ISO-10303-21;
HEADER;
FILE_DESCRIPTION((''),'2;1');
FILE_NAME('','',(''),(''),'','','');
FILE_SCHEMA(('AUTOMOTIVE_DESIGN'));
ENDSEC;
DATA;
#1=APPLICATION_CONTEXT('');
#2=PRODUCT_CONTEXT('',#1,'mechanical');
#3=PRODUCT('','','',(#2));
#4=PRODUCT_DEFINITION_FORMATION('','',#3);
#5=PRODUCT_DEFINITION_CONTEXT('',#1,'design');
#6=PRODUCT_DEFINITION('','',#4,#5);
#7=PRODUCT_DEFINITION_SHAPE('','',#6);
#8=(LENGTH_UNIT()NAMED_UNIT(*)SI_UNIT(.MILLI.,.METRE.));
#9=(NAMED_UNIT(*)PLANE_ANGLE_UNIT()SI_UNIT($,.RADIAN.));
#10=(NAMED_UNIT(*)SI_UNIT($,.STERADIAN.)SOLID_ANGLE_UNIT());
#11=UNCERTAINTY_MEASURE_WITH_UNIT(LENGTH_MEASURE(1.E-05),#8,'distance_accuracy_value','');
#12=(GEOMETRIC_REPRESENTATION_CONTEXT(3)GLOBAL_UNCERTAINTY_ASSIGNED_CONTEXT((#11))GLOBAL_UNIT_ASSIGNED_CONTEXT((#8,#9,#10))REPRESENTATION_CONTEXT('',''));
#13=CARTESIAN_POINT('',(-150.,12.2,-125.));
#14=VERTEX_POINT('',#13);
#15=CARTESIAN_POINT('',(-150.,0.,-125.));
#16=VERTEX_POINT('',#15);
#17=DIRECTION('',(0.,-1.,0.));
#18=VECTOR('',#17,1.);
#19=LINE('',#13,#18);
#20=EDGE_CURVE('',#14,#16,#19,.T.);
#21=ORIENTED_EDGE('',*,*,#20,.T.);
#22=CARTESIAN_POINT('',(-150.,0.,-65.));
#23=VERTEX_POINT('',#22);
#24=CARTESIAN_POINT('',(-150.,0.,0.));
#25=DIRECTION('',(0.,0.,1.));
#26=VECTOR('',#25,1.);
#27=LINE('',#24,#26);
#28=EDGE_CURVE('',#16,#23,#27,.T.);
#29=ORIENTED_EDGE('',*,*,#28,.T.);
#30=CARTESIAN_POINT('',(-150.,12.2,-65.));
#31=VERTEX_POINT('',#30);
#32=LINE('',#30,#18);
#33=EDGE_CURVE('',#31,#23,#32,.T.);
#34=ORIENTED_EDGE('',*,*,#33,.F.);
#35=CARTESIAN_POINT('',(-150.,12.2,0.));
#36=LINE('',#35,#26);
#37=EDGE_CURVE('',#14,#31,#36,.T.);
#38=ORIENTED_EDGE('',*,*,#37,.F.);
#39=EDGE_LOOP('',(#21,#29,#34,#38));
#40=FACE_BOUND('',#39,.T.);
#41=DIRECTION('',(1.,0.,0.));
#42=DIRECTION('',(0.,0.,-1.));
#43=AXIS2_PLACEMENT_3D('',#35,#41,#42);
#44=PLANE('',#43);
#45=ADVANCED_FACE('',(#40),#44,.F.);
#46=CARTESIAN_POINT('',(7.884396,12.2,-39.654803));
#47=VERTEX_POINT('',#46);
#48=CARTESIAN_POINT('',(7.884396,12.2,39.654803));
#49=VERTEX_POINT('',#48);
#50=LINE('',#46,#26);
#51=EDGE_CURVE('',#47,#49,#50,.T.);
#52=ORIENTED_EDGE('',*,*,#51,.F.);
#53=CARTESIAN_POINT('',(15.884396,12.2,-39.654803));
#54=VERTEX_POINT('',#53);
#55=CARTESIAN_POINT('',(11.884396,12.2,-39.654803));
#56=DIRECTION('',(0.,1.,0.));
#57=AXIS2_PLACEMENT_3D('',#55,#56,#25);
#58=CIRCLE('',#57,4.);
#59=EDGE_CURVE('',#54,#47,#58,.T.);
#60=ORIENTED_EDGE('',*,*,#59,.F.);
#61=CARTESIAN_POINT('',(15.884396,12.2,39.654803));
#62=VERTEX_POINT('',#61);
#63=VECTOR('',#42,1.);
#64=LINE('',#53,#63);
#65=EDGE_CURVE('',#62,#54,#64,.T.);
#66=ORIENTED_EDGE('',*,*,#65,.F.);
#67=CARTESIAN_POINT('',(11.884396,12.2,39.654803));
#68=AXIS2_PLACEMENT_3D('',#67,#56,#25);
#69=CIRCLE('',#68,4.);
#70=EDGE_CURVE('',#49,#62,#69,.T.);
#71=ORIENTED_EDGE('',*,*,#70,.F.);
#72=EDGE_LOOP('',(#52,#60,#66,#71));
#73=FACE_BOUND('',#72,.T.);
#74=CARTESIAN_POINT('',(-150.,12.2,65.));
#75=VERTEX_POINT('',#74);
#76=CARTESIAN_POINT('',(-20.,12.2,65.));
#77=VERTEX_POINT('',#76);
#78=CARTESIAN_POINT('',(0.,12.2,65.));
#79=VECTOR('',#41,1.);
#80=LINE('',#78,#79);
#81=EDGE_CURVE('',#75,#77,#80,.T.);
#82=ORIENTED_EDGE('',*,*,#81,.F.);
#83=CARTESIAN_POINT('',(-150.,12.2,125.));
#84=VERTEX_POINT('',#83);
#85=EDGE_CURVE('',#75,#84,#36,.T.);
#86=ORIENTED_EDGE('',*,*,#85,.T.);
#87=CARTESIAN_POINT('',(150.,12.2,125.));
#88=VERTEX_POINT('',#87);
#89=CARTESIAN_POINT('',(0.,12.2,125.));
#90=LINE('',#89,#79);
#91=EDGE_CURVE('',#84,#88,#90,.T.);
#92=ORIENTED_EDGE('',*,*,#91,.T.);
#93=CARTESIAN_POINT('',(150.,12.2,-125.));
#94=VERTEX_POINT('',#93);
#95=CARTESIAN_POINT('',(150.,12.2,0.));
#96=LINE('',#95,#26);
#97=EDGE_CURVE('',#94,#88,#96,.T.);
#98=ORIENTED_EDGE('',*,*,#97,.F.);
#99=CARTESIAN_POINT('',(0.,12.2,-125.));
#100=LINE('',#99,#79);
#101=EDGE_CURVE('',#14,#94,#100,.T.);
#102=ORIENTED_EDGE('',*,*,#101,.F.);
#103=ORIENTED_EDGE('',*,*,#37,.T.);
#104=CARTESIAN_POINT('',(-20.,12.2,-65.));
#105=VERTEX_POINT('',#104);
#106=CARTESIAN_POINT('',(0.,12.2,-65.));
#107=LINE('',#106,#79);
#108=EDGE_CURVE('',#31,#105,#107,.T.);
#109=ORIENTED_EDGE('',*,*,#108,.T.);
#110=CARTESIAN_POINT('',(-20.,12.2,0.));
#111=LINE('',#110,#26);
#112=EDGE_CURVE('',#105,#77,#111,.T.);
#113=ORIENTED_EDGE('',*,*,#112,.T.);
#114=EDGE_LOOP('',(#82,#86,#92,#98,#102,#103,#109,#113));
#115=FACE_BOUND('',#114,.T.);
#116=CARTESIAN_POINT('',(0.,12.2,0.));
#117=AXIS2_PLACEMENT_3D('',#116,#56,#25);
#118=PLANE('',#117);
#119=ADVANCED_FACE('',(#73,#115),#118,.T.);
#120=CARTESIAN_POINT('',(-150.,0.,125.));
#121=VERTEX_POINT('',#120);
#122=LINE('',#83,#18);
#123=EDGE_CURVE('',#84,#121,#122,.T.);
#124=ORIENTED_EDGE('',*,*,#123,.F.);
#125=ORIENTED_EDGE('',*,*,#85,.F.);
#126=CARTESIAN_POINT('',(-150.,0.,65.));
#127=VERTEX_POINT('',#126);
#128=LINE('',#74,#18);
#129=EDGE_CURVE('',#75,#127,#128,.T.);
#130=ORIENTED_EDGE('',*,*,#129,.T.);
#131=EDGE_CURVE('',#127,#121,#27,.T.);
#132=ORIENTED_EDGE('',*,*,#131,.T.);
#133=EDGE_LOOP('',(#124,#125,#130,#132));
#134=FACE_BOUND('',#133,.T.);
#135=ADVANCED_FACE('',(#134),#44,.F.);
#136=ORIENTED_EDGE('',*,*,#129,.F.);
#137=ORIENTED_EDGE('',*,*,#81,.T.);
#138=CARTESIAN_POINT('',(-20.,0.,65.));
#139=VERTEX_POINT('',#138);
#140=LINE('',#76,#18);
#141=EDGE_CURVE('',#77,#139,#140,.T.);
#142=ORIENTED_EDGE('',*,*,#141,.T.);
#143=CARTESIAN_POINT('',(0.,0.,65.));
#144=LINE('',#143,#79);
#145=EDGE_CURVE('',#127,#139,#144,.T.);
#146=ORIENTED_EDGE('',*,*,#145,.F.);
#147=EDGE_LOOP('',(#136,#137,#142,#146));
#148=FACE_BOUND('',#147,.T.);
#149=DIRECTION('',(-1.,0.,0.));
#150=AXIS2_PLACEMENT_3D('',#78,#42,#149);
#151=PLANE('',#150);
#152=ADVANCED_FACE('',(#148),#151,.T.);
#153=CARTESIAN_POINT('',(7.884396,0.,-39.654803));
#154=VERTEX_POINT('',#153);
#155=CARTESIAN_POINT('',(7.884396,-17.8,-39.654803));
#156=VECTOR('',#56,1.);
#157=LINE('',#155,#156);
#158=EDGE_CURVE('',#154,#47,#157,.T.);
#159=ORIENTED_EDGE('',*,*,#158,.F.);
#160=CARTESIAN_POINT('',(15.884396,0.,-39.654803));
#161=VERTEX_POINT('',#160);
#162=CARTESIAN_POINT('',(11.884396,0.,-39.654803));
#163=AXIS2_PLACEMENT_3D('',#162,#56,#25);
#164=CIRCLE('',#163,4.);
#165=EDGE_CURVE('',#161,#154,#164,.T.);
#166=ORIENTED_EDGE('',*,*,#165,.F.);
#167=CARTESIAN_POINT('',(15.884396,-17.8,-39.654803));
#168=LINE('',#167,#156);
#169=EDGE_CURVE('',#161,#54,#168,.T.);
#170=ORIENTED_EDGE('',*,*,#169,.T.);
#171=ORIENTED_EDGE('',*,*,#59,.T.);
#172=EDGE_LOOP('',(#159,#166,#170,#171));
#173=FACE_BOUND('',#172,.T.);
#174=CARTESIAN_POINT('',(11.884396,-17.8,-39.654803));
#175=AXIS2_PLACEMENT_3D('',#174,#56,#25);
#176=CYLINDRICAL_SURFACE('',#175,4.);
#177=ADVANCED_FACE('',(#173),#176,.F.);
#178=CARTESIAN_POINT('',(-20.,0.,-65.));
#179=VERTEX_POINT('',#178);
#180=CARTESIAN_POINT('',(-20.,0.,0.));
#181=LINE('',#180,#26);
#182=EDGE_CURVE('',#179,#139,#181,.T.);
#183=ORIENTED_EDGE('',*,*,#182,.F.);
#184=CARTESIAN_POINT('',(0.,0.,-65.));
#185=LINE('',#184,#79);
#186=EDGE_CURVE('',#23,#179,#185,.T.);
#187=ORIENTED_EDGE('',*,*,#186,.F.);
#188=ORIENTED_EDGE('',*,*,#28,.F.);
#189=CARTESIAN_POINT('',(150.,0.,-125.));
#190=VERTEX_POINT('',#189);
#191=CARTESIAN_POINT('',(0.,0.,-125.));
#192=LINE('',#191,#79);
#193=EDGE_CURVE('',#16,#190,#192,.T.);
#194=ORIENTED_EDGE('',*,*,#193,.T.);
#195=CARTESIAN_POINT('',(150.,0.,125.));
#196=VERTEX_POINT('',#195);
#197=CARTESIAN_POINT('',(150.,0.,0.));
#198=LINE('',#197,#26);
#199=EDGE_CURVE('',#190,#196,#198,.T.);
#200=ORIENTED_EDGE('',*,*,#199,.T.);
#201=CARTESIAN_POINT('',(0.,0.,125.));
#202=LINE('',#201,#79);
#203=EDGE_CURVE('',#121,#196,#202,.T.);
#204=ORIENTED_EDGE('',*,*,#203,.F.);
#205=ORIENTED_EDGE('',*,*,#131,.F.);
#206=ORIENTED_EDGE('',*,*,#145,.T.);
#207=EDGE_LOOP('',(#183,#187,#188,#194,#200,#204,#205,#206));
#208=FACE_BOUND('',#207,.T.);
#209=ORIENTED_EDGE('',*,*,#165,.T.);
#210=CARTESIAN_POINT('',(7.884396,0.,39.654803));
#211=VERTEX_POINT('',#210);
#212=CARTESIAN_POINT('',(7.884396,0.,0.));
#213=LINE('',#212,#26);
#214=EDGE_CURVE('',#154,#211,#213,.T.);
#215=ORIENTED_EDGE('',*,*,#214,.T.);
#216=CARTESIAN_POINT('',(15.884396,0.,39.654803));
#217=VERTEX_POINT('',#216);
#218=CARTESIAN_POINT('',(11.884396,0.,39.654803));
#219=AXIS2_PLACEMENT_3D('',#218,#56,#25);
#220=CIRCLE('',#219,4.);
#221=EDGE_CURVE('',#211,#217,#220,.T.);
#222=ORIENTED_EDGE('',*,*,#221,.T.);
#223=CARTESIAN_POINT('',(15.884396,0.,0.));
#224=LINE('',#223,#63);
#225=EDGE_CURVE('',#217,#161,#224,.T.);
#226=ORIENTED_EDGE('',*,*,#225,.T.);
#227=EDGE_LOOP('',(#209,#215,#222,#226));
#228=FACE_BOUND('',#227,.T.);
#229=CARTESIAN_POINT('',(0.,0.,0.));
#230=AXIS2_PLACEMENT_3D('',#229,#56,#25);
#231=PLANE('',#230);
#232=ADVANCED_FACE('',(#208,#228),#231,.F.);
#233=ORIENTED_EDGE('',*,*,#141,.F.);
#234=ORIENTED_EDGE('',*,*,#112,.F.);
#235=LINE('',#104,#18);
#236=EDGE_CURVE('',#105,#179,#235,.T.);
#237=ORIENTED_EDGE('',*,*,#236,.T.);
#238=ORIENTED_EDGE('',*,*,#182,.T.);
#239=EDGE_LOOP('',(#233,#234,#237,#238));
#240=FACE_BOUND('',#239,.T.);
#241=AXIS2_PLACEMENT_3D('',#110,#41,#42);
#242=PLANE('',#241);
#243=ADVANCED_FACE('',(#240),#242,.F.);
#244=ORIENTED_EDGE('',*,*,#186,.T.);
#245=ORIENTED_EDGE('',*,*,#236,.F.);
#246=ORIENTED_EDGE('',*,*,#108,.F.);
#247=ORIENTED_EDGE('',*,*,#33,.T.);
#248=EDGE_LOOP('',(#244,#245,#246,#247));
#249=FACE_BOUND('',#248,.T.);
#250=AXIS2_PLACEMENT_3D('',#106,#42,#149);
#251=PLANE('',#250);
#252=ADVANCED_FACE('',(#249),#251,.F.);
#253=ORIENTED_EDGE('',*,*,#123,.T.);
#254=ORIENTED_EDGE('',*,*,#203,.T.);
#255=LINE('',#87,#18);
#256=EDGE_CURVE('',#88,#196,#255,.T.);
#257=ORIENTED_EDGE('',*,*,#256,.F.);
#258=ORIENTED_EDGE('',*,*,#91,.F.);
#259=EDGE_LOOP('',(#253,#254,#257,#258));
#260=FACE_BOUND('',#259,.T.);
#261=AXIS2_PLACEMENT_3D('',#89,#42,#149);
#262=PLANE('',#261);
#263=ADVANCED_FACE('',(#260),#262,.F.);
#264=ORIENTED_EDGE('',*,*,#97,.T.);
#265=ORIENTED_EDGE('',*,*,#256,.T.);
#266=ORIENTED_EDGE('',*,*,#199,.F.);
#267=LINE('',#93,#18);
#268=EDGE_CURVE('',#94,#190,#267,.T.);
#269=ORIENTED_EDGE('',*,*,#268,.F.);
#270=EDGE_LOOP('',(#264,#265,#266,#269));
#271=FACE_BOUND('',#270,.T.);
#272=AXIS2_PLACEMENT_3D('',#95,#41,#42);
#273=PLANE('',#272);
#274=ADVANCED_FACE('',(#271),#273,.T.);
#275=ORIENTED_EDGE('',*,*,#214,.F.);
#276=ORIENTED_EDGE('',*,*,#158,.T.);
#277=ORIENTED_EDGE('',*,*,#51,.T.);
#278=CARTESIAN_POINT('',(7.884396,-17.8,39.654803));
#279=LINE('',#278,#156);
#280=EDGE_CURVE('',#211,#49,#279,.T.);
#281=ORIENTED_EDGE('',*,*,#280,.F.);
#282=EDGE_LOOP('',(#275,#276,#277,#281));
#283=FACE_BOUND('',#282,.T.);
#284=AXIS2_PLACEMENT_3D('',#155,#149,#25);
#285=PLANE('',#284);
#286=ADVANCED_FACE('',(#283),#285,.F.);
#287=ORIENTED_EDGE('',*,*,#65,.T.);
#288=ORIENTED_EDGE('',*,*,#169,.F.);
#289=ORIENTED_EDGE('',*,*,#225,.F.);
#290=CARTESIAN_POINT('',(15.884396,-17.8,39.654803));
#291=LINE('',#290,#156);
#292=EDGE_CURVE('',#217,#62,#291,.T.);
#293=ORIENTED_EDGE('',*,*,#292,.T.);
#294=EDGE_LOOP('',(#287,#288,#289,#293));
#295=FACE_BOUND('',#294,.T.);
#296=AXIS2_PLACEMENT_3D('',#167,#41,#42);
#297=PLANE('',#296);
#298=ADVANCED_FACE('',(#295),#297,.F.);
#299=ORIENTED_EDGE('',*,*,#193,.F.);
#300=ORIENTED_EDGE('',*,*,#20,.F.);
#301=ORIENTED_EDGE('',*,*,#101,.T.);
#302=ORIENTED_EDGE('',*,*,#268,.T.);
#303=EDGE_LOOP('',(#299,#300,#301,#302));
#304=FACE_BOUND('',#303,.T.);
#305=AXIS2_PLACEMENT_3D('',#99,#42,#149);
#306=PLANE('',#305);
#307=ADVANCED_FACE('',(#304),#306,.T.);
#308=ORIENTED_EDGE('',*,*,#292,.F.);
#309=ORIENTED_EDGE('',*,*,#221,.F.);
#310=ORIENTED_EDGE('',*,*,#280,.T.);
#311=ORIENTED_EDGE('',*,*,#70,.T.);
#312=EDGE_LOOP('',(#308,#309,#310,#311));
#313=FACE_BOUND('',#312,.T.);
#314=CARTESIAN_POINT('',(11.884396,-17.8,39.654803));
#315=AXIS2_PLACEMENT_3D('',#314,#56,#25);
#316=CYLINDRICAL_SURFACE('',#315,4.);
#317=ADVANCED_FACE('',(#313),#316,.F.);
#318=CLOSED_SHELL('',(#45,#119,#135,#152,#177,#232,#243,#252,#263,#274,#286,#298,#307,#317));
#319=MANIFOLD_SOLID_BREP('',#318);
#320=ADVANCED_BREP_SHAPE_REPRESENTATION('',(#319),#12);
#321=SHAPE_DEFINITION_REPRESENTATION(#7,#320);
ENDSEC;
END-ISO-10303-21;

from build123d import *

# Parameters (mm, degrees)
BOSS_EXTRUDE2_DEPTH = 12.2
CUT_EXTRUDE1_DEPTH  = 30


with BuildPart() as part:
    # Sketch1 → Boss-Extrude2 (new body)
    with BuildSketch(Plane(origin=(0, 0, 0), x_dir=(1, 0, 0), z_dir=(0, 1, 0))):
        Polygon((150, 125), (-150, 125), (-150, 65), (-20, 65), (-20, -65), (-150, -65), (-150, -125), (150, -125), align=None)
    extrude(amount=BOSS_EXTRUDE2_DEPTH)

    # Sketch2 → Cut-Extrude1 (cut)
    with BuildSketch(Plane(origin=(0, 12.2, 0), x_dir=(1, 0, 0), z_dir=(0, 1, 0))):
        with BuildLine():
            Line((15.884395788, 39.654803454), (15.884395788, -39.654803454))
            ThreePointArc((15.884395788, -39.654803454), (11.884395788, -43.654803454), (7.884395788, -39.654803454))
            Line((7.884395788, -39.654803454), (7.884395788, 39.654803454))
            ThreePointArc((7.884395788, 39.654803454), (11.884395788, 43.654803454), (15.884395788, 39.654803454))
        make_face()
    extrude(amount=-CUT_EXTRUDE1_DEPTH, mode=Mode.SUBTRACT)


solid = part.part
